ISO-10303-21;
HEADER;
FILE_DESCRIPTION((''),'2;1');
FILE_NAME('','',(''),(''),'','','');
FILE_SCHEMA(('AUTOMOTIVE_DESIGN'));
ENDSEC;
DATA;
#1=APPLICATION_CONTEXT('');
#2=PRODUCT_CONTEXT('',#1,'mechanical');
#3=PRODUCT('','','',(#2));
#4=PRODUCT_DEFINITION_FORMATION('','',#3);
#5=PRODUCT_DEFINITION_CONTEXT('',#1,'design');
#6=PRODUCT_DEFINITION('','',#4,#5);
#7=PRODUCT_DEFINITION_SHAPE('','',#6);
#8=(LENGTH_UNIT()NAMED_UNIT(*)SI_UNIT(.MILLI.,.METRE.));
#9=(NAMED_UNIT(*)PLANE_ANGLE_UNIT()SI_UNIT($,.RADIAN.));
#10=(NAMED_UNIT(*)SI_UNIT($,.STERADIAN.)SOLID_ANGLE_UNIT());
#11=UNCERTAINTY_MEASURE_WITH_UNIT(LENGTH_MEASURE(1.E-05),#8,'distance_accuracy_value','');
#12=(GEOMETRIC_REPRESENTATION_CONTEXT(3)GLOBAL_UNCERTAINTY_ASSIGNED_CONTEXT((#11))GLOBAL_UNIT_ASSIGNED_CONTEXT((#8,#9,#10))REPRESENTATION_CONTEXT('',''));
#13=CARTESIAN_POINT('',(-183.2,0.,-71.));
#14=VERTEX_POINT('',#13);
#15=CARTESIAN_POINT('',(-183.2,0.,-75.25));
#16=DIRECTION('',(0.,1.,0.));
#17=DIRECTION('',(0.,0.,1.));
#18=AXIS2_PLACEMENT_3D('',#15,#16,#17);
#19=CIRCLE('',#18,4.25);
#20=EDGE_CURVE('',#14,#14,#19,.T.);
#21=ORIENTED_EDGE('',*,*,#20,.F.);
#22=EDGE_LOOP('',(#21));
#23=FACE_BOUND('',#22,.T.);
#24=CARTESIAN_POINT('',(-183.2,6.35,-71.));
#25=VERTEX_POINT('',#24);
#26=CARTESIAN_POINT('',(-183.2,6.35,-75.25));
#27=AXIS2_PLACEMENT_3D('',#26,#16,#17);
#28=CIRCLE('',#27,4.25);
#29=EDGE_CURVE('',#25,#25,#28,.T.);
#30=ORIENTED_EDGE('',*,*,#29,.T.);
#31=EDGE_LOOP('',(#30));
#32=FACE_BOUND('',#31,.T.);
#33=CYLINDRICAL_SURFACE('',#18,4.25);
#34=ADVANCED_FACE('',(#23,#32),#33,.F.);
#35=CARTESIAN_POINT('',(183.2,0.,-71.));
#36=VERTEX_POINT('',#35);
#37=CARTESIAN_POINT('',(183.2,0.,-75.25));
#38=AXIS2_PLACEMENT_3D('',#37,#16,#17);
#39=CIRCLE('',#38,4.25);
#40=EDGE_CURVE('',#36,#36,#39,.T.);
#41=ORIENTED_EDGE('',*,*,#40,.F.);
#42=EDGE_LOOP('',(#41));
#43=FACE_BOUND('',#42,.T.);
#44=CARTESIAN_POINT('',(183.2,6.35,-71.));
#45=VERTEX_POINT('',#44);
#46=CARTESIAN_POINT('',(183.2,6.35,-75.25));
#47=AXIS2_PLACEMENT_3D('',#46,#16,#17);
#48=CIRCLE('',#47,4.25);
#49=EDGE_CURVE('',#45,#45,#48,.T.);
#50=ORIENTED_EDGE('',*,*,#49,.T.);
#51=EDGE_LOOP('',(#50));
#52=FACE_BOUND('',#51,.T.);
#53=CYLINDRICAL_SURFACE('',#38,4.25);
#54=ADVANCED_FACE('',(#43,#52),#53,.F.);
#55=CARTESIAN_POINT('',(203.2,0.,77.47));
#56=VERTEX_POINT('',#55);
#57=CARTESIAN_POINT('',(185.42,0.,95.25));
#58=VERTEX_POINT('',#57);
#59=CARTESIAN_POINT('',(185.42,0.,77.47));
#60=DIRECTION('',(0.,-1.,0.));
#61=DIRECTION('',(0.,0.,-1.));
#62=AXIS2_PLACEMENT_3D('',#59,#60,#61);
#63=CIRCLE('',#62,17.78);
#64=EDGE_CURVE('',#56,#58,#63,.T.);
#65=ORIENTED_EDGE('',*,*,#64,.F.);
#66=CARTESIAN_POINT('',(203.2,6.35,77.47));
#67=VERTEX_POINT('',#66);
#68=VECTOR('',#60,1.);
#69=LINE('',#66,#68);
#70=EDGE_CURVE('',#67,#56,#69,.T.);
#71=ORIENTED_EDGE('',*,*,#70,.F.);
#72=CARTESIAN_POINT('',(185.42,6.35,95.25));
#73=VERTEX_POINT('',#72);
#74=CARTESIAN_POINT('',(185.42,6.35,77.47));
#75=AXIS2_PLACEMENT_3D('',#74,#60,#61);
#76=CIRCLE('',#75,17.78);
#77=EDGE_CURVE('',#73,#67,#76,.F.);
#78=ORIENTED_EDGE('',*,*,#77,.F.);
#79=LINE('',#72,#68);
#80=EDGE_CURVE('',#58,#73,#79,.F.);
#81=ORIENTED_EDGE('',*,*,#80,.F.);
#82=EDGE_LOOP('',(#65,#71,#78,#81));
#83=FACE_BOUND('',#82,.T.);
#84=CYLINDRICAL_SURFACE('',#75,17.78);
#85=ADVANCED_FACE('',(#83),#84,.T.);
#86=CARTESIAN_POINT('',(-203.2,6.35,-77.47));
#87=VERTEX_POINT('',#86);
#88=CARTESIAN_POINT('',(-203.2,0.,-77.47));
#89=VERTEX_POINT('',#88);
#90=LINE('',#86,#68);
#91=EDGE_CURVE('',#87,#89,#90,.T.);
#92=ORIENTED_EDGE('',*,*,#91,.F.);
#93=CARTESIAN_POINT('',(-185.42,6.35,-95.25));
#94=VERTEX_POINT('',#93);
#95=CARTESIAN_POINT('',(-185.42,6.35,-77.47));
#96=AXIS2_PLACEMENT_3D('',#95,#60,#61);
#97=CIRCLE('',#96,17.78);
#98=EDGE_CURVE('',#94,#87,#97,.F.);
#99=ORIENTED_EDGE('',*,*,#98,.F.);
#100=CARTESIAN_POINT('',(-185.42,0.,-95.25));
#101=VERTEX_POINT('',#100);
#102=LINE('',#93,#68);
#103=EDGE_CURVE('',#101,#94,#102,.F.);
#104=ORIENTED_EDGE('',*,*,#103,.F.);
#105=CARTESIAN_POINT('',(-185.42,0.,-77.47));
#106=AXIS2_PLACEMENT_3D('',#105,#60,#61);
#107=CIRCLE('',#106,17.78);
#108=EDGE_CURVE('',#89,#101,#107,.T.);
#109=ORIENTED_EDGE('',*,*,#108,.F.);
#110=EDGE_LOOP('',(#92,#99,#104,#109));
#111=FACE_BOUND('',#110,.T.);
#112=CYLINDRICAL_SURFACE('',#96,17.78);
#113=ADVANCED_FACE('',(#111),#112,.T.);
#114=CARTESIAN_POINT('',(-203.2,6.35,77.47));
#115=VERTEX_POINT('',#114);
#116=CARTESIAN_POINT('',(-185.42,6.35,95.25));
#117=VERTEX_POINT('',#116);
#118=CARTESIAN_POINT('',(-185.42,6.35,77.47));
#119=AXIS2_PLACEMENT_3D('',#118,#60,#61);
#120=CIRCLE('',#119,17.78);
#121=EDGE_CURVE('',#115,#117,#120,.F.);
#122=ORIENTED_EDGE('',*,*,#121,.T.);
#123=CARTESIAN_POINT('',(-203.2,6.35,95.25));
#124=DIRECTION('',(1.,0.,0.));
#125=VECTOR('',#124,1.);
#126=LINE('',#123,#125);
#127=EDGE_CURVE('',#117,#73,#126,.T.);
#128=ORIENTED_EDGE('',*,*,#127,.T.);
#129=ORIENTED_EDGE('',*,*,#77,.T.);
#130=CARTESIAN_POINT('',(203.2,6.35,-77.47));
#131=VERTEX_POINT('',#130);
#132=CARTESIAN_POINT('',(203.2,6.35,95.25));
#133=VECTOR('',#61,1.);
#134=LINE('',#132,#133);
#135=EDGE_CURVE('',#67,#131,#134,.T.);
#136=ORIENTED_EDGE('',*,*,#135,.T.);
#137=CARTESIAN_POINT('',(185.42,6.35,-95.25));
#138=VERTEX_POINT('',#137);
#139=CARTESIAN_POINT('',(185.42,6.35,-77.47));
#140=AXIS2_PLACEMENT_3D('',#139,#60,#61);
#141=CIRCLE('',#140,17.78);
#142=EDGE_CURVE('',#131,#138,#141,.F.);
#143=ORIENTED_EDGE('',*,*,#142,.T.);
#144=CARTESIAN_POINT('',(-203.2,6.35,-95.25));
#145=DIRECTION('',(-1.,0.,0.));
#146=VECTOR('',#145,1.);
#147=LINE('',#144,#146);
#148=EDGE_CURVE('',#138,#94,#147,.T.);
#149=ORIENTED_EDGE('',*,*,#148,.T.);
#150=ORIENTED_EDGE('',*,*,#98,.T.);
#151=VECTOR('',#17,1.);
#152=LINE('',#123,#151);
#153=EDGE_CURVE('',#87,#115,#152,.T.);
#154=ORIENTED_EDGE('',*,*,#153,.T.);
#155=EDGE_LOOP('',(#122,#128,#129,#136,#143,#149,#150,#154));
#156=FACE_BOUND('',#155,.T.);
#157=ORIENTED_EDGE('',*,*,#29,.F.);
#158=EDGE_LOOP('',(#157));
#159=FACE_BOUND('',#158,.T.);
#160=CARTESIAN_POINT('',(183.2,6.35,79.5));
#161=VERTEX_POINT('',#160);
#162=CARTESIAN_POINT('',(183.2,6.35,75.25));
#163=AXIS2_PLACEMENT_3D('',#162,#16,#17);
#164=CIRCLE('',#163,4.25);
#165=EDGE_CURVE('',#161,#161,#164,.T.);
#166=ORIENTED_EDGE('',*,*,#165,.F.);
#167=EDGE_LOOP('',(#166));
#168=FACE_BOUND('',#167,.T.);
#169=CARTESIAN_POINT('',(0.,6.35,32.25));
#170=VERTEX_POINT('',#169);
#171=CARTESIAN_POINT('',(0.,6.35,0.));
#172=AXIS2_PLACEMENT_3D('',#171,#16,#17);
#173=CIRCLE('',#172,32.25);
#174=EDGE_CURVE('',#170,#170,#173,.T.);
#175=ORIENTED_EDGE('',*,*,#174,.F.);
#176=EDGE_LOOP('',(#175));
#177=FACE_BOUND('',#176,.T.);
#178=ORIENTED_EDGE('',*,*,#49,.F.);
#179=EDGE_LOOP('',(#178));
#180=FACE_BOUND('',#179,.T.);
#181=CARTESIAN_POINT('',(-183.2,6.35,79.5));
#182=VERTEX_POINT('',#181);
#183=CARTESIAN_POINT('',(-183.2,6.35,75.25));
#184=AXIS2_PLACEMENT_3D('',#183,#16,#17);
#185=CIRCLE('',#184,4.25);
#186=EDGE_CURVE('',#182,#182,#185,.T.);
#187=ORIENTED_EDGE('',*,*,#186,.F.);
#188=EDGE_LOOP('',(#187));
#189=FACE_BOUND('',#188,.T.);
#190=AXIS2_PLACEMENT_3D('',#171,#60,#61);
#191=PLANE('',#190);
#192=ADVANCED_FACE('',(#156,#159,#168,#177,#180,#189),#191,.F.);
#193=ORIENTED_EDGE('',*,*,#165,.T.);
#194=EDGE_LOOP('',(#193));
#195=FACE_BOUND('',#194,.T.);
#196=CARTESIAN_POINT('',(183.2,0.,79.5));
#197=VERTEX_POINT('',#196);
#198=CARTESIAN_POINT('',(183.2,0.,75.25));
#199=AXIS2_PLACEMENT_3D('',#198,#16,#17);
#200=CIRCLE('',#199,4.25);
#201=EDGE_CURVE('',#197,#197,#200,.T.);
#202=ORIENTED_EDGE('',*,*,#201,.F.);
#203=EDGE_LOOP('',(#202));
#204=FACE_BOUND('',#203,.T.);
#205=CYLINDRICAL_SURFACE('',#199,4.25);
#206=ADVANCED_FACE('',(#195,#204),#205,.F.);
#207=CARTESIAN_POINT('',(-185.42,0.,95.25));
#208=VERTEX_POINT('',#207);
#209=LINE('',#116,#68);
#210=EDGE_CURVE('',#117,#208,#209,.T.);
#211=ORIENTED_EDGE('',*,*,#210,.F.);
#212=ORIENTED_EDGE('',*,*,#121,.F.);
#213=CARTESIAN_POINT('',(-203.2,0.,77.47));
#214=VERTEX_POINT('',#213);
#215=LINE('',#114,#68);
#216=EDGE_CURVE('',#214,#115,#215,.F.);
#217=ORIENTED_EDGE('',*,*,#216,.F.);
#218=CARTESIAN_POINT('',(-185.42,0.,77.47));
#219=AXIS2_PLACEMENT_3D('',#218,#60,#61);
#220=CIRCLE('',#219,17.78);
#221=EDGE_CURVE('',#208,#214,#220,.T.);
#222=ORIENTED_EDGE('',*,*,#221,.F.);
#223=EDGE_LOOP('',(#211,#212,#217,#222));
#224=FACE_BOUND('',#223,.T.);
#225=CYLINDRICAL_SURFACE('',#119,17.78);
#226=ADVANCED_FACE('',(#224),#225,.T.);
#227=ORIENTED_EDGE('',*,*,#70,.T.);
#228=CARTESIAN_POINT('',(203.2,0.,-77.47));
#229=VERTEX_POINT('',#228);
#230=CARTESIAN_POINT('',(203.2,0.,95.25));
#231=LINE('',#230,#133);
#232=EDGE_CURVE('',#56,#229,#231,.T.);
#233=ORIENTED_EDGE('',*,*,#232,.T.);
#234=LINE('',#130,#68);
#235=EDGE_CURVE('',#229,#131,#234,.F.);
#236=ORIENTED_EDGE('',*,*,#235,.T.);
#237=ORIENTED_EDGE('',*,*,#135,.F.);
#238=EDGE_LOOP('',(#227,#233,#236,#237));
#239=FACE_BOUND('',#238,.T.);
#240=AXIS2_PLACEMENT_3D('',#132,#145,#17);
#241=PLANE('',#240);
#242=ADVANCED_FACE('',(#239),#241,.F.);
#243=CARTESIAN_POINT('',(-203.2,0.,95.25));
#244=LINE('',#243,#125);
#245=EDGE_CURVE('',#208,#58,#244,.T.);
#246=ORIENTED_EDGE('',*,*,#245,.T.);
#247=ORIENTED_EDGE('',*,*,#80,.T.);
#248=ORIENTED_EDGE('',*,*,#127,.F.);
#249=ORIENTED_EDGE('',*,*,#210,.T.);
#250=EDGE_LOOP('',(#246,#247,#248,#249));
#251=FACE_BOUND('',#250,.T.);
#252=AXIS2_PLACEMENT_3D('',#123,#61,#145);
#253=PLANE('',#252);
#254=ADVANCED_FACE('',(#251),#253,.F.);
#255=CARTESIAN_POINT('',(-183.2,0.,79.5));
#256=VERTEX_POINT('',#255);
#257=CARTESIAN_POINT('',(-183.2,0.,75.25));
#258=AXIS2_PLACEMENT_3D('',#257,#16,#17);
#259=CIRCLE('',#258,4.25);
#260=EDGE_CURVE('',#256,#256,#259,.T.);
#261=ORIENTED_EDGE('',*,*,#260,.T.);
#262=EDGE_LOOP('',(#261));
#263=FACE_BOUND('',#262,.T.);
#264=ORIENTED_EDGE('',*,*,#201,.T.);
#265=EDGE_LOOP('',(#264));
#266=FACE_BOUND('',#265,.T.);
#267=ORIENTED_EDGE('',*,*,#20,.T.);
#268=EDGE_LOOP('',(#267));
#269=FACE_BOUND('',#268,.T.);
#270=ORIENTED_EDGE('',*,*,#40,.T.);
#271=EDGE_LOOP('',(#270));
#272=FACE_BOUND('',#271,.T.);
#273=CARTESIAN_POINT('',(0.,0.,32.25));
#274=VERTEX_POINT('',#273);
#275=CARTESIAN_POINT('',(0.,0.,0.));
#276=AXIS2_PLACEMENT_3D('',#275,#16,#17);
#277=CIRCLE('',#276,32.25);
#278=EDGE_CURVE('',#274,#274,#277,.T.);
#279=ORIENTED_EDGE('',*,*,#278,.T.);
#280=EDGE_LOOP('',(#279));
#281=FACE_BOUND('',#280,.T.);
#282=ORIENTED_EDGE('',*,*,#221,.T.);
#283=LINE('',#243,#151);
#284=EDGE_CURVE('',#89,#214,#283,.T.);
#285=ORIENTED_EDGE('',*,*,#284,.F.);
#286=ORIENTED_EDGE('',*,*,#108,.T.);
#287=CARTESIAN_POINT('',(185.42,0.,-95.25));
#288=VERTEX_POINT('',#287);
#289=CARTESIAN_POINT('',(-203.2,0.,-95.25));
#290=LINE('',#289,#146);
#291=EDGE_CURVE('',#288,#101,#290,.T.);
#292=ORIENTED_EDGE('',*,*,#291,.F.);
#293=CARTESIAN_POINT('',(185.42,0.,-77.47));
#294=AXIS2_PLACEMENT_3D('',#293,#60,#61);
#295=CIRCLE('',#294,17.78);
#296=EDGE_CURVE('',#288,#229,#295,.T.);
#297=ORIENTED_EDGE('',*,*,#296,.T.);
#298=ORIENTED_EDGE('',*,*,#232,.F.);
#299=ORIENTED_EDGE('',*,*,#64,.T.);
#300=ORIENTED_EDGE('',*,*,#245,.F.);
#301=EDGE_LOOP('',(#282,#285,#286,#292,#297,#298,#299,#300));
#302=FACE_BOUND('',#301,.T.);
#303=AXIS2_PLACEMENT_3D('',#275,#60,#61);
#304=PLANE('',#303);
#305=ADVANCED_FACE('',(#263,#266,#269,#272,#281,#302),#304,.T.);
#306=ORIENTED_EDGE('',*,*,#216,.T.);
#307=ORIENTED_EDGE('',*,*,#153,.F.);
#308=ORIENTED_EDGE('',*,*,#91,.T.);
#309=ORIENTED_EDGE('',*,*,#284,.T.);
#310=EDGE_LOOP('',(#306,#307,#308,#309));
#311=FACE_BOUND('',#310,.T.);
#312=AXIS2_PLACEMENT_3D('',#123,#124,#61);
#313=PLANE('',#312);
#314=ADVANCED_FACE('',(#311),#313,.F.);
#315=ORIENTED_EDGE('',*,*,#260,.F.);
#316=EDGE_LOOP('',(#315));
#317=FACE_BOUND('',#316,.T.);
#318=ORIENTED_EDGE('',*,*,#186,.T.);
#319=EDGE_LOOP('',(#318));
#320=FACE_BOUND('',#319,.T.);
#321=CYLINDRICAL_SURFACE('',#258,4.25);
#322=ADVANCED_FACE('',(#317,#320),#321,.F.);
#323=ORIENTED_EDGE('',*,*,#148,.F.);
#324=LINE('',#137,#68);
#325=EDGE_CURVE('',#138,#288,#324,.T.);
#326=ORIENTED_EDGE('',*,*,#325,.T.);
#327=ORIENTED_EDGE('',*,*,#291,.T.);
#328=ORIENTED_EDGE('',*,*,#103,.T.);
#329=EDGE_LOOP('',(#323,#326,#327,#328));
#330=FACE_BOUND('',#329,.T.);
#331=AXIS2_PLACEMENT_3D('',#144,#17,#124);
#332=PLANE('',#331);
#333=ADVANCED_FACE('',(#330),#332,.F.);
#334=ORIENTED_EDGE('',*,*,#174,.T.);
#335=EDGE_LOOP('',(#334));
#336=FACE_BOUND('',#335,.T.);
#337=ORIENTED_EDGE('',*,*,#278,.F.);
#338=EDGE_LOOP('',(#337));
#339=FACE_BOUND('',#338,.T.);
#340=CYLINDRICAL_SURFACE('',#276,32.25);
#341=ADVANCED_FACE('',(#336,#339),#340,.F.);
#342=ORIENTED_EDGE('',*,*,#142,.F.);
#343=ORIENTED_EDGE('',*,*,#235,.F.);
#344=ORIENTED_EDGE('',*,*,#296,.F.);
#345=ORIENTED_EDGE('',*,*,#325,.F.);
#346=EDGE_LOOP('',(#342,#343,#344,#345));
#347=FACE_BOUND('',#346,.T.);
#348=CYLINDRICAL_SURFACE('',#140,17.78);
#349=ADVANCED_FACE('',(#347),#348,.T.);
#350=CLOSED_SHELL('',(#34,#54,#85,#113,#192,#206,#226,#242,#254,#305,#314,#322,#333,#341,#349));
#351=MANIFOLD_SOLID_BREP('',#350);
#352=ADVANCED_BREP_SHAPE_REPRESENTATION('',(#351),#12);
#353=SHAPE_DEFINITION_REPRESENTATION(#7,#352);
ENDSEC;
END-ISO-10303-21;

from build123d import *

# Parameters (mm, degrees)
SKETCH1_W           = 406.4
SKETCH1_H           = 190.5
BOSS_EXTRUDE1_DEPTH = 6.35
SKETCH2_R           = 32.25
CUT_EXTRUDE1_DEPTH  = 225.506403027
SKETCH3_R           = 4.25
CUT_EXTRUDE2_DEPTH  = 225.506403027
FILLET1_R           = 17.78


with BuildPart() as part:
    # Sketch1 → Boss-Extrude1 (new body)
    with BuildSketch(Plane(origin=(0, 0, 0), x_dir=(1, 0, 0), z_dir=(0, 1, 0))):
        Rectangle(SKETCH1_W, SKETCH1_H)
    extrude(amount=BOSS_EXTRUDE1_DEPTH)

    # Sketch2 → Cut-Extrude1 (cut, through all)
    with BuildSketch(Plane(origin=(0, 6.35, 0), x_dir=(1, 0, 0), z_dir=(0, 1, 0))):
        with Locations(Location((0, 0, 0), (0, 0, 270))):
            Circle(SKETCH2_R)
    extrude(amount=-CUT_EXTRUDE1_DEPTH, mode=Mode.SUBTRACT)

    # Sketch3 → Cut-Extrude2 (cut, through all)
    with BuildSketch(Plane(origin=(0, 6.35, 0), x_dir=(1, 0, 0), z_dir=(0, 1, 0))):
        with Locations(Location((-183.2, 75.25, 0), (0, 0, 270))):
            Circle(SKETCH3_R)
        with Locations(Location((183.2, 75.25, 0), (0, 0, 270))):
            Circle(SKETCH3_R)
        with Locations(Location((183.2, -75.25, 0), (0, 0, 270))):
            Circle(SKETCH3_R)
        with Locations(Location((-183.2, -75.25, 0), (0, 0, 270))):
            Circle(SKETCH3_R)
    extrude(amount=-CUT_EXTRUDE2_DEPTH, mode=Mode.SUBTRACT)

    # Fillet1
    fillet1_edges = [part.edges().sort_by_distance(p)[0] for p in [
        (203.2, 3.175, 95.25),
        (-203.2, 3.175, 95.25),
        (-203.2, 3.175, -95.25),
        (203.2, 3.175, -95.25),
    ]]
    fillet(fillet1_edges, radius=FILLET1_R)


solid = part.part
